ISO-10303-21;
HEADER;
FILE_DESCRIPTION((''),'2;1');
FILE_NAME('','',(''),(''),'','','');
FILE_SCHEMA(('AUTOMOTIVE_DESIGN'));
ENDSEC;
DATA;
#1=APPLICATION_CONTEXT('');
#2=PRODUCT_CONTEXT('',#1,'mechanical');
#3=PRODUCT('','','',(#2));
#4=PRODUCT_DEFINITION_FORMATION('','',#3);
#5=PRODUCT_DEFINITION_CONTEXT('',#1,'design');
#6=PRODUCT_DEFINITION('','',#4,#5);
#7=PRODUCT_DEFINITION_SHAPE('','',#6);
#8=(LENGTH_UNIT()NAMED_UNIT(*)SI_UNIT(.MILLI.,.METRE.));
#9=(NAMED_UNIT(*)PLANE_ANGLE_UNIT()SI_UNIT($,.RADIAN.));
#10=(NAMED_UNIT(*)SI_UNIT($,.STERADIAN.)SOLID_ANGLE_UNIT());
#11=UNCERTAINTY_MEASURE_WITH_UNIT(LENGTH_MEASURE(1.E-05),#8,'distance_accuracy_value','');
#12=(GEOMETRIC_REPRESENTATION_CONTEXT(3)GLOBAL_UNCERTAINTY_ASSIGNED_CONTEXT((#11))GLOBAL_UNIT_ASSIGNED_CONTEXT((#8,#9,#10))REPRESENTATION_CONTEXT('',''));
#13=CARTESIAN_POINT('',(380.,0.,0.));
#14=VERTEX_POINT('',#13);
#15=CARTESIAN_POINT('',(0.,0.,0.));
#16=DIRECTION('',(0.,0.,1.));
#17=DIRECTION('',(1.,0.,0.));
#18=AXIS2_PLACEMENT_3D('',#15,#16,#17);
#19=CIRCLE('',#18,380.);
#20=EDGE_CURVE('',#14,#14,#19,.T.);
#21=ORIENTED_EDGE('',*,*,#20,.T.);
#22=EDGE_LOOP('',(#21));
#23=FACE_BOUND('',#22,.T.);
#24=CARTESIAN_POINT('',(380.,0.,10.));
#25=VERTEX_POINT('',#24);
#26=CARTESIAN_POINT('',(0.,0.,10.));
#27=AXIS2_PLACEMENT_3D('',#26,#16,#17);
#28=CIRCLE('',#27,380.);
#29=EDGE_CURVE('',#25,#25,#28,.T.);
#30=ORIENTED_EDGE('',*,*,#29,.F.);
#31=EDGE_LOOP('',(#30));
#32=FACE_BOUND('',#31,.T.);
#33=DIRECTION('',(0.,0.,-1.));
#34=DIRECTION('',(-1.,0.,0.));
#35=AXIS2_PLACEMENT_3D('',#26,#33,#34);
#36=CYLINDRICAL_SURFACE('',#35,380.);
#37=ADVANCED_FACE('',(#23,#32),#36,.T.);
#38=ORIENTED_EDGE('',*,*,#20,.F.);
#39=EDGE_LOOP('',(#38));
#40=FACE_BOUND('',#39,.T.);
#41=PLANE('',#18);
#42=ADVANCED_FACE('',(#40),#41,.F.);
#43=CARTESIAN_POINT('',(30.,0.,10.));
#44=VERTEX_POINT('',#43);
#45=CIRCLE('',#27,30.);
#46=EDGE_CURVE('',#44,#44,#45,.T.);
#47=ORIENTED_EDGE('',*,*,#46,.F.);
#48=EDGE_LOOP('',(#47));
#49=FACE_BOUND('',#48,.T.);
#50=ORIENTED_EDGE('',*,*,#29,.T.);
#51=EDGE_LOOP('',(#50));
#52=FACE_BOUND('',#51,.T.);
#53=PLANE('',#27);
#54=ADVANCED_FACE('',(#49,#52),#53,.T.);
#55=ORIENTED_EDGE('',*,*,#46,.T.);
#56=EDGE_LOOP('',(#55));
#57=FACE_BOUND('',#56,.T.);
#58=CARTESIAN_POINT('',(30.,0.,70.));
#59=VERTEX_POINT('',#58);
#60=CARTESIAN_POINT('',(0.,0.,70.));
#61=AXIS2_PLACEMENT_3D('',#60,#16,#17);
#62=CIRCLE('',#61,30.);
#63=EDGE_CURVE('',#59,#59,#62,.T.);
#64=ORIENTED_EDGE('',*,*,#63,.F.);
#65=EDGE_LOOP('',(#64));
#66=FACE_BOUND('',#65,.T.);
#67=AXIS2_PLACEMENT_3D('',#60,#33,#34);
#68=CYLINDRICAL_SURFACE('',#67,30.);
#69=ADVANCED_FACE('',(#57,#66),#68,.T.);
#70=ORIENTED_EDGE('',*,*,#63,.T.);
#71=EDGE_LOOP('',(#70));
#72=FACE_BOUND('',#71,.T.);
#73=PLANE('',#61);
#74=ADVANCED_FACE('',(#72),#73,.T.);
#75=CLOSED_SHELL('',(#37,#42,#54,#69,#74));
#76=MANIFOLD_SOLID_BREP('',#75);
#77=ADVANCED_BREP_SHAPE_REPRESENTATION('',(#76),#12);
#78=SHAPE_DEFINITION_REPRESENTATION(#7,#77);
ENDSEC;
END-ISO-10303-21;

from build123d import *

# Parameters (mm, degrees)
SKETCH_1_R      = 380
EXTRUDE_1_DEPTH = 10
SKETCH_2_R      = 30
EXTRUDE_2_DEPTH = 60


with BuildPart() as part:
    # 草图1 → 凸台-拉伸1 (new body)
    with BuildSketch(Plane.XY):
        Circle(SKETCH_1_R)
    extrude(amount=EXTRUDE_1_DEPTH)

    # 草图2 → 凸台-拉伸2 (add)
    with BuildSketch(Plane.XY.offset(10)):
        Circle(SKETCH_2_R)
    extrude(amount=EXTRUDE_2_DEPTH)


solid = part.part
